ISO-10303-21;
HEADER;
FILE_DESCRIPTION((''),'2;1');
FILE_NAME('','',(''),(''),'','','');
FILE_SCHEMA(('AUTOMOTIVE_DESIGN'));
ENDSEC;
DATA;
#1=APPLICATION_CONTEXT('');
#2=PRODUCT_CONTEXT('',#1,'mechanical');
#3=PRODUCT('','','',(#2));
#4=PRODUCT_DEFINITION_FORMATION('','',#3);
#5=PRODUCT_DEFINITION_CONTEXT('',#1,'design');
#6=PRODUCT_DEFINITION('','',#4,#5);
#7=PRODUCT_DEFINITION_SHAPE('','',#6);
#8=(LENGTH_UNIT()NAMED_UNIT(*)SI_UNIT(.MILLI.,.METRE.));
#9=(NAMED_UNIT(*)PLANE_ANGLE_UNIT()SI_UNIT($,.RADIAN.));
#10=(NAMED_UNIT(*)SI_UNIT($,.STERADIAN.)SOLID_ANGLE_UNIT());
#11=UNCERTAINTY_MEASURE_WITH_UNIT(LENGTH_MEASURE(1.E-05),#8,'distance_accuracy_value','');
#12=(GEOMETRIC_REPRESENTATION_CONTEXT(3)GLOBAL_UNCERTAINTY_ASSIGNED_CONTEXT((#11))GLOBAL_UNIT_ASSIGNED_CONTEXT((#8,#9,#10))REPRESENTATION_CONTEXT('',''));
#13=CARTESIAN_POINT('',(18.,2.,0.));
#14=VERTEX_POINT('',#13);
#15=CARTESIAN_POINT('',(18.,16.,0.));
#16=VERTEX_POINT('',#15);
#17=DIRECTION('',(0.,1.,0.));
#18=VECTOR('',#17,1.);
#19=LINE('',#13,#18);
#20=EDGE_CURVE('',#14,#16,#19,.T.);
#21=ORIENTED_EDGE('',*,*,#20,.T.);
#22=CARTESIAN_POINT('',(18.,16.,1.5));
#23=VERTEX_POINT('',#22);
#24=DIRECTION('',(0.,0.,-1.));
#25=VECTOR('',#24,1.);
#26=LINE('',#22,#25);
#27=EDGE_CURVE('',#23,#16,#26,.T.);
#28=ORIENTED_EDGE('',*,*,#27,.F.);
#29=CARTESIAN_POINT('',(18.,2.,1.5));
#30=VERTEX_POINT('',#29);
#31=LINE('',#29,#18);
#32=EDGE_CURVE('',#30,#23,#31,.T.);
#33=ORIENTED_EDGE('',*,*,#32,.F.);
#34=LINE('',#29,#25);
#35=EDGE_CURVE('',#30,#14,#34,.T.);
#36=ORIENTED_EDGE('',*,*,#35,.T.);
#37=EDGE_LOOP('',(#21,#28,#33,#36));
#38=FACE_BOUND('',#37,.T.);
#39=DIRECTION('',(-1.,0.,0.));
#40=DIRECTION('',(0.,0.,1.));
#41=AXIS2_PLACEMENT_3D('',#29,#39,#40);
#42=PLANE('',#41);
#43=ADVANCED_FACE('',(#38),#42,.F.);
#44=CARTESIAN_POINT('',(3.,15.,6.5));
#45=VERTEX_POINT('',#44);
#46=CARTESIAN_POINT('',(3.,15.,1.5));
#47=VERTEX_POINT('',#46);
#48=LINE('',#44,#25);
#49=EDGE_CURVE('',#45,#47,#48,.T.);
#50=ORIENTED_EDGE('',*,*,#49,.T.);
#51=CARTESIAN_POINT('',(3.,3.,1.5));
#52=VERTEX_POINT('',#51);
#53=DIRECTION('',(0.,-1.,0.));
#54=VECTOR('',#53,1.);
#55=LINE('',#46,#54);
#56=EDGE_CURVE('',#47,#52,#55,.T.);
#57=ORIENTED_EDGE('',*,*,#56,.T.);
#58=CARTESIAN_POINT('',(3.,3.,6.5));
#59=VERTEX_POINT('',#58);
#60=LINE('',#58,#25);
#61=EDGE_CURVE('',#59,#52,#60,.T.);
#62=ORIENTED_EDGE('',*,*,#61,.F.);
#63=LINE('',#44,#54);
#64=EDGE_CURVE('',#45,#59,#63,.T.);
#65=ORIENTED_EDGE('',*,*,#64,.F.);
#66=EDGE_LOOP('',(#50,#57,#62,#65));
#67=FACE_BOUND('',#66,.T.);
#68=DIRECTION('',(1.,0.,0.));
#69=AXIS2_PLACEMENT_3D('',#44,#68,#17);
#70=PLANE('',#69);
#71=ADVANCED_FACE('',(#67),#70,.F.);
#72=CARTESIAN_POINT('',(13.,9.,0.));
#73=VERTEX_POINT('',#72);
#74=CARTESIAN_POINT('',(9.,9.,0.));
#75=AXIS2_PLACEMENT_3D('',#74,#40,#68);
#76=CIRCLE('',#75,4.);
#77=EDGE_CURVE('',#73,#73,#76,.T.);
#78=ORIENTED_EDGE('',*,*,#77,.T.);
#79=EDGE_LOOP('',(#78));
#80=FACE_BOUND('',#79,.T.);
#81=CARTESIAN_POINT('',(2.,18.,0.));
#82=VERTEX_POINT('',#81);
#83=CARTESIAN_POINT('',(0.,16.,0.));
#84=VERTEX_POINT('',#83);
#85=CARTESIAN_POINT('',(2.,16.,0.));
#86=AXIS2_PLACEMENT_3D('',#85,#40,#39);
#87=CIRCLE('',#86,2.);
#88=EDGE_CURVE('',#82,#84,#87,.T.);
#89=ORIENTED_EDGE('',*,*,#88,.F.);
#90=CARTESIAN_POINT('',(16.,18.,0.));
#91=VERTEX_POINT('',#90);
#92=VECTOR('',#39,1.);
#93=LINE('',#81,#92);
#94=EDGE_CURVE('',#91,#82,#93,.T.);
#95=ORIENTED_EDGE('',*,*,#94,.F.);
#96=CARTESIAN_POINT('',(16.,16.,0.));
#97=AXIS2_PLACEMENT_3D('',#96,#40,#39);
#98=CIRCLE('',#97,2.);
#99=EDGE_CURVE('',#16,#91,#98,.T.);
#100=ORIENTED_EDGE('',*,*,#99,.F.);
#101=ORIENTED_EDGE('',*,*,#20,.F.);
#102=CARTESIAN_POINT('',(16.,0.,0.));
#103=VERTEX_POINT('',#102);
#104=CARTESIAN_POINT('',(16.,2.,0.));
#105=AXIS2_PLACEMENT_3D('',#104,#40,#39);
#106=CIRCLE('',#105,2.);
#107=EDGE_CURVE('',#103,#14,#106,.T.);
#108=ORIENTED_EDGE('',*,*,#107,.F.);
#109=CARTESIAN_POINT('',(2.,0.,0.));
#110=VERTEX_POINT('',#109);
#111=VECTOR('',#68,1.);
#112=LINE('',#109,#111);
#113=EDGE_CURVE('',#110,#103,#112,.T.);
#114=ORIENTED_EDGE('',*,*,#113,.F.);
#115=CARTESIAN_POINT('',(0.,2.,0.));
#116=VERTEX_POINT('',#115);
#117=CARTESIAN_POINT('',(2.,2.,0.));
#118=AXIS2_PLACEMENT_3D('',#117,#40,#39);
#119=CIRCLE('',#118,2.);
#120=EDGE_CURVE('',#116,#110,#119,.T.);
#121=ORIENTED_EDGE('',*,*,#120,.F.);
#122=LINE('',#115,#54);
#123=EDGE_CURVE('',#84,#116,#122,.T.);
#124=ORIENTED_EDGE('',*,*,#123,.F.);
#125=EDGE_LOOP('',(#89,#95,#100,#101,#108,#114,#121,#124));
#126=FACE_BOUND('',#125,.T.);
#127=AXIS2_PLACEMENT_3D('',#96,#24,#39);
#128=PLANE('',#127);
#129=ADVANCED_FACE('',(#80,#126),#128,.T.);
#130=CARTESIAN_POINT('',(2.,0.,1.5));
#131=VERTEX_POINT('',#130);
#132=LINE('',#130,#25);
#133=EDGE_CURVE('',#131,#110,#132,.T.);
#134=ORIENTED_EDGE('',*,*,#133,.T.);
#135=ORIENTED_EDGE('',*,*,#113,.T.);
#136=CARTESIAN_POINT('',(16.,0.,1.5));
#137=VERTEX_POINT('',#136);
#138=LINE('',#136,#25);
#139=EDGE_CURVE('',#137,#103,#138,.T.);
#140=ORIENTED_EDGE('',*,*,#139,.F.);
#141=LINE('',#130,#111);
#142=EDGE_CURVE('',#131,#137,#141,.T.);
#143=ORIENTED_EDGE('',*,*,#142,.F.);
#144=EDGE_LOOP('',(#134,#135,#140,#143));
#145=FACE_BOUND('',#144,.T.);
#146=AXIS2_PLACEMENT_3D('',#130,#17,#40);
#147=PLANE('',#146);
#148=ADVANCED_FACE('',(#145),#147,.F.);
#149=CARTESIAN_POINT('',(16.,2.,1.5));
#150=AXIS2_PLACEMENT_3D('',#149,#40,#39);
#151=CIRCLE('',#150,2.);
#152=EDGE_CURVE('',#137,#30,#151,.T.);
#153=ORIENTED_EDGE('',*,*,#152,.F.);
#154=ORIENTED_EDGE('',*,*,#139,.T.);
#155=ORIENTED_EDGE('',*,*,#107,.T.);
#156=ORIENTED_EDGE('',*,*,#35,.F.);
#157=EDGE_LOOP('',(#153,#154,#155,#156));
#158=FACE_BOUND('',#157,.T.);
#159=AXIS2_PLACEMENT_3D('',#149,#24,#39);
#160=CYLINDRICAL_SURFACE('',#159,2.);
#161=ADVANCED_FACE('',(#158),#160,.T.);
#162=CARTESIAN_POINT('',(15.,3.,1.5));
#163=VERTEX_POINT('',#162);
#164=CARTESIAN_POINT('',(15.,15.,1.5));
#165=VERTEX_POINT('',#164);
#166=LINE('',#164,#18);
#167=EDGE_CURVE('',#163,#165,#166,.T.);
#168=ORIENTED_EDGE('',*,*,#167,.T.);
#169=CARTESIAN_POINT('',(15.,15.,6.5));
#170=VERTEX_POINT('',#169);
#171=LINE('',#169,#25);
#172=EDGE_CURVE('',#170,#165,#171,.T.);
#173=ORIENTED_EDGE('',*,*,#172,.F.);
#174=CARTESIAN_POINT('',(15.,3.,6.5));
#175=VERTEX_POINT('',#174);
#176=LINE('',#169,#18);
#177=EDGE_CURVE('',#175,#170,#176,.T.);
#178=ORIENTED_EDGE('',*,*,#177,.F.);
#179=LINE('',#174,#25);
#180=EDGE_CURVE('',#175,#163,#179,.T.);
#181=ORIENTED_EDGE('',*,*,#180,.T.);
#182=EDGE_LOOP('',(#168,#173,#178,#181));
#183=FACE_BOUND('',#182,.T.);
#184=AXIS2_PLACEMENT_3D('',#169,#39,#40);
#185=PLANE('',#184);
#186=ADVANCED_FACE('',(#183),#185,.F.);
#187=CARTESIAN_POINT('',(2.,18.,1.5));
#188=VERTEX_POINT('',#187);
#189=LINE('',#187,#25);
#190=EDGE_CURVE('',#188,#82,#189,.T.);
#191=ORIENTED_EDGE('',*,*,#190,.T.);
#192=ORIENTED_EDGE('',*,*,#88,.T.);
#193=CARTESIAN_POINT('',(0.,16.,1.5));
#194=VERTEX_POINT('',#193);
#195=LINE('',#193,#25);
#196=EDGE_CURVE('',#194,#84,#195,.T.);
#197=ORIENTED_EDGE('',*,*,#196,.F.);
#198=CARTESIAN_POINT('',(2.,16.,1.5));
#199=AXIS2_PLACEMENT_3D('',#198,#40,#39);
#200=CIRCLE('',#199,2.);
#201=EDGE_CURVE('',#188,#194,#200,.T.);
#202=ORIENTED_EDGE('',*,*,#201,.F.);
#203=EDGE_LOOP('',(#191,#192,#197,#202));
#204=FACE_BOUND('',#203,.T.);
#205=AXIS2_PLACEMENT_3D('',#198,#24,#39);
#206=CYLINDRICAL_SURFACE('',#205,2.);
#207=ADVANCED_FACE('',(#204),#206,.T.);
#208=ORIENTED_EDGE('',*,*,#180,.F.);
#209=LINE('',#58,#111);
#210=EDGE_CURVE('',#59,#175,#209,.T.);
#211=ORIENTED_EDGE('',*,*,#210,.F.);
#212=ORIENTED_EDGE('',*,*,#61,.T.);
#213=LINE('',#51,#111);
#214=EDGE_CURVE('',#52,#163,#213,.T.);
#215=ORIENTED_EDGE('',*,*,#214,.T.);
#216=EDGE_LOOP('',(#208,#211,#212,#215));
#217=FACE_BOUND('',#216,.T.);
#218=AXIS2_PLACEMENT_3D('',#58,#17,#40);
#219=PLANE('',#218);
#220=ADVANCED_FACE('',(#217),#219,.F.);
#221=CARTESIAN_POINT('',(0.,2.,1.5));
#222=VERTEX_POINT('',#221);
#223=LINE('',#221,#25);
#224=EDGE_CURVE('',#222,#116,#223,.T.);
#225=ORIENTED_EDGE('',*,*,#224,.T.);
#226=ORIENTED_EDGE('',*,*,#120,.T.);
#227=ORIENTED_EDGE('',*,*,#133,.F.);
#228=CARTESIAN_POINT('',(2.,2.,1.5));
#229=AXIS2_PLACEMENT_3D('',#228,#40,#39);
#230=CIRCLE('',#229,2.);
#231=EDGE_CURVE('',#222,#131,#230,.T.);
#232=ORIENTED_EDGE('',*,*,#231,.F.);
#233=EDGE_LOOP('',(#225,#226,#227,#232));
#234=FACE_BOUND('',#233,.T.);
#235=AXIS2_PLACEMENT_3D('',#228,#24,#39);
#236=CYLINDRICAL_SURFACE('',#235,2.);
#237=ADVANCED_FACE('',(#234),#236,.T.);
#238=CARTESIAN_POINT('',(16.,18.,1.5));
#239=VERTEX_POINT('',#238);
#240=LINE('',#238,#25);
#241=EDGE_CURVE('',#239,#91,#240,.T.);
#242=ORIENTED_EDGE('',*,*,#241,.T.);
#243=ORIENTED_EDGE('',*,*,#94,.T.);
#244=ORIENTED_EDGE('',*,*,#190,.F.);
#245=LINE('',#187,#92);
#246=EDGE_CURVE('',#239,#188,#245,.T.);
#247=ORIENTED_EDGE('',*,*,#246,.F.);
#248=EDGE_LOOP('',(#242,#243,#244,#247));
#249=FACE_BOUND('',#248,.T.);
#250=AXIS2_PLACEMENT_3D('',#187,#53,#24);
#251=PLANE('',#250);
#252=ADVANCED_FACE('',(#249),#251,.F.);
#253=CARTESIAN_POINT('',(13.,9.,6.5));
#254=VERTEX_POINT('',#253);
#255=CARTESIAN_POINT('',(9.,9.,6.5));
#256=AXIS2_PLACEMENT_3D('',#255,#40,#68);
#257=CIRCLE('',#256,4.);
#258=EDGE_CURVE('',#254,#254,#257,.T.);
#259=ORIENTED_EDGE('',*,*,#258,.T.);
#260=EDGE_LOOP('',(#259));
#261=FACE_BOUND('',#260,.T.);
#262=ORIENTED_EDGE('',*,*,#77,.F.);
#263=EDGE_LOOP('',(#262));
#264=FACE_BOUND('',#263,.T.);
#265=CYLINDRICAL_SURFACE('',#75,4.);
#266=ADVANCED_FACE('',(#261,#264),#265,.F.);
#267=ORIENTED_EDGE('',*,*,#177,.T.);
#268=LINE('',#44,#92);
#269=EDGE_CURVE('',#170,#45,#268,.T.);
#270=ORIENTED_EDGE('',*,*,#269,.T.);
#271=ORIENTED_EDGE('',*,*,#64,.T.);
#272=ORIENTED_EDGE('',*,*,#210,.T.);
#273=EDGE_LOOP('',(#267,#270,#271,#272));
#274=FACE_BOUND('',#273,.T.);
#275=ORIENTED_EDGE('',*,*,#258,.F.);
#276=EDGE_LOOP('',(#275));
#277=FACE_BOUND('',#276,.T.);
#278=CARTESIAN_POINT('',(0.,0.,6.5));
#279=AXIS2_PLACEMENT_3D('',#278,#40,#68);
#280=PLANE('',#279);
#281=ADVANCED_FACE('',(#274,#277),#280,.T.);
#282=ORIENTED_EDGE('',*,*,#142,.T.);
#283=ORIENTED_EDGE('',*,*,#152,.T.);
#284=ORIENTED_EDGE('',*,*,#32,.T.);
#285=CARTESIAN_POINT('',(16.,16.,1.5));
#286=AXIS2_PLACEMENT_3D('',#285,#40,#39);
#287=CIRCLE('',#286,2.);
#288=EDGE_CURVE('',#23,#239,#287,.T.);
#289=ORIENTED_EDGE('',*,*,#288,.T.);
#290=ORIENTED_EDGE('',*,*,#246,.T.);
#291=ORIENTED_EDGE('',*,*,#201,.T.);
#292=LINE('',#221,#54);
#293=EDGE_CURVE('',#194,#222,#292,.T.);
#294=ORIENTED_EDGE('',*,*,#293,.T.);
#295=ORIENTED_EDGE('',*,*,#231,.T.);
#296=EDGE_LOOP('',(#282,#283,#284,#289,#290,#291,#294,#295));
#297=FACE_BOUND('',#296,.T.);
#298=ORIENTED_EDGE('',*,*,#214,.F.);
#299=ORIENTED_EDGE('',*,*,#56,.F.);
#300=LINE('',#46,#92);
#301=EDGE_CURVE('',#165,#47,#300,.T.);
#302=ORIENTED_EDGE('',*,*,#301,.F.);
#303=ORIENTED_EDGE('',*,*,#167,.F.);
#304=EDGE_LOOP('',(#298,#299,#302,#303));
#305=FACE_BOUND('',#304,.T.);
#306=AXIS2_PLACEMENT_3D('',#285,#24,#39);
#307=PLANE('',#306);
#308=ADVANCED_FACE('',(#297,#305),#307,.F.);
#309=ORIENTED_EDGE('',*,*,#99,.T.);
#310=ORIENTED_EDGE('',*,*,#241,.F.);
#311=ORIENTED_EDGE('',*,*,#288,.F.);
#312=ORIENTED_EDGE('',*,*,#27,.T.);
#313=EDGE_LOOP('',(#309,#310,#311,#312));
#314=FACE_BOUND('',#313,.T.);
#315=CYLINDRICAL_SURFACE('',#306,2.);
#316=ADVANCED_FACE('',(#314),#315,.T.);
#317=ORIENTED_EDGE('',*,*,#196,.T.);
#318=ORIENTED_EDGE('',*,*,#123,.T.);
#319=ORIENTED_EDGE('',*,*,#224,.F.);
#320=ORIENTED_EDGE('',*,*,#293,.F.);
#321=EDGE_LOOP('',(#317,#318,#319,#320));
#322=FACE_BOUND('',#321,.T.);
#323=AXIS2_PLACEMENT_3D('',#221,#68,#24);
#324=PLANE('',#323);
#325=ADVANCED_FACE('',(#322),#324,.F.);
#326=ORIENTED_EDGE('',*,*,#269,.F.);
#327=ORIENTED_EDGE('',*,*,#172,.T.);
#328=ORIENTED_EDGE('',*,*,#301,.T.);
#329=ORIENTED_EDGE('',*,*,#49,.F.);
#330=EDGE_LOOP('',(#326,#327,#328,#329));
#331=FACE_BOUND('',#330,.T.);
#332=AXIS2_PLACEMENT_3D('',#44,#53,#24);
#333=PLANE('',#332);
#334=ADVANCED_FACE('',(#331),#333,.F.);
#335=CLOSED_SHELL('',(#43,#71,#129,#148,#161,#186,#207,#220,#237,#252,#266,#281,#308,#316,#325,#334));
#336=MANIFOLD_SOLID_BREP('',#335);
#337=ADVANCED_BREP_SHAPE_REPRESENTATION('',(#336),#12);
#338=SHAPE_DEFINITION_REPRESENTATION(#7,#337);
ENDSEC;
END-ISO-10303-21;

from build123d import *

# Parameters (mm, degrees)
BOSS_EXTRUDE1_DEPTH = 1.5
SKETCH2_W           = 12
SKETCH2_H           = 12
BOSS_EXTRUDE2_DEPTH = 5
SKETCH3_R           = 4
CUT_EXTRUDE1_DEPTH  = 7.5


with BuildPart() as part:
    # Sketch1 → Boss-Extrude1 (new body)
    with BuildSketch(Plane.XY):
        with BuildLine():
            Line((2, 0), (16, 0))
            ThreePointArc((16, 0), (17.414213562, 0.585786438), (18, 2))
            Line((18, 2), (18, 16))
            ThreePointArc((18, 16), (17.414213562, 17.414213562), (16, 18))
            Line((16, 18), (2, 18))
            ThreePointArc((2, 18), (0.585786438, 17.414213562), (0, 16))
            Line((0, 16), (0, 2))
            ThreePointArc((0, 2), (0.585786438, 0.585786438), (2, 0))
        make_face()
    extrude(amount=BOSS_EXTRUDE1_DEPTH)

    # Sketch2 → Boss-Extrude2 (add)
    with BuildSketch(Plane.XY.offset(1.5)):
        with Locations((9, 9)):
            Rectangle(SKETCH2_W, SKETCH2_H)
    extrude(amount=BOSS_EXTRUDE2_DEPTH)

    # Sketch3 → Cut-Extrude1 (cut, through all)
    with BuildSketch(Plane.XY.offset(6.5)):
        with Locations((9, 9)):
            Circle(SKETCH3_R)
    extrude(amount=-CUT_EXTRUDE1_DEPTH, mode=Mode.SUBTRACT)


solid = part.part
